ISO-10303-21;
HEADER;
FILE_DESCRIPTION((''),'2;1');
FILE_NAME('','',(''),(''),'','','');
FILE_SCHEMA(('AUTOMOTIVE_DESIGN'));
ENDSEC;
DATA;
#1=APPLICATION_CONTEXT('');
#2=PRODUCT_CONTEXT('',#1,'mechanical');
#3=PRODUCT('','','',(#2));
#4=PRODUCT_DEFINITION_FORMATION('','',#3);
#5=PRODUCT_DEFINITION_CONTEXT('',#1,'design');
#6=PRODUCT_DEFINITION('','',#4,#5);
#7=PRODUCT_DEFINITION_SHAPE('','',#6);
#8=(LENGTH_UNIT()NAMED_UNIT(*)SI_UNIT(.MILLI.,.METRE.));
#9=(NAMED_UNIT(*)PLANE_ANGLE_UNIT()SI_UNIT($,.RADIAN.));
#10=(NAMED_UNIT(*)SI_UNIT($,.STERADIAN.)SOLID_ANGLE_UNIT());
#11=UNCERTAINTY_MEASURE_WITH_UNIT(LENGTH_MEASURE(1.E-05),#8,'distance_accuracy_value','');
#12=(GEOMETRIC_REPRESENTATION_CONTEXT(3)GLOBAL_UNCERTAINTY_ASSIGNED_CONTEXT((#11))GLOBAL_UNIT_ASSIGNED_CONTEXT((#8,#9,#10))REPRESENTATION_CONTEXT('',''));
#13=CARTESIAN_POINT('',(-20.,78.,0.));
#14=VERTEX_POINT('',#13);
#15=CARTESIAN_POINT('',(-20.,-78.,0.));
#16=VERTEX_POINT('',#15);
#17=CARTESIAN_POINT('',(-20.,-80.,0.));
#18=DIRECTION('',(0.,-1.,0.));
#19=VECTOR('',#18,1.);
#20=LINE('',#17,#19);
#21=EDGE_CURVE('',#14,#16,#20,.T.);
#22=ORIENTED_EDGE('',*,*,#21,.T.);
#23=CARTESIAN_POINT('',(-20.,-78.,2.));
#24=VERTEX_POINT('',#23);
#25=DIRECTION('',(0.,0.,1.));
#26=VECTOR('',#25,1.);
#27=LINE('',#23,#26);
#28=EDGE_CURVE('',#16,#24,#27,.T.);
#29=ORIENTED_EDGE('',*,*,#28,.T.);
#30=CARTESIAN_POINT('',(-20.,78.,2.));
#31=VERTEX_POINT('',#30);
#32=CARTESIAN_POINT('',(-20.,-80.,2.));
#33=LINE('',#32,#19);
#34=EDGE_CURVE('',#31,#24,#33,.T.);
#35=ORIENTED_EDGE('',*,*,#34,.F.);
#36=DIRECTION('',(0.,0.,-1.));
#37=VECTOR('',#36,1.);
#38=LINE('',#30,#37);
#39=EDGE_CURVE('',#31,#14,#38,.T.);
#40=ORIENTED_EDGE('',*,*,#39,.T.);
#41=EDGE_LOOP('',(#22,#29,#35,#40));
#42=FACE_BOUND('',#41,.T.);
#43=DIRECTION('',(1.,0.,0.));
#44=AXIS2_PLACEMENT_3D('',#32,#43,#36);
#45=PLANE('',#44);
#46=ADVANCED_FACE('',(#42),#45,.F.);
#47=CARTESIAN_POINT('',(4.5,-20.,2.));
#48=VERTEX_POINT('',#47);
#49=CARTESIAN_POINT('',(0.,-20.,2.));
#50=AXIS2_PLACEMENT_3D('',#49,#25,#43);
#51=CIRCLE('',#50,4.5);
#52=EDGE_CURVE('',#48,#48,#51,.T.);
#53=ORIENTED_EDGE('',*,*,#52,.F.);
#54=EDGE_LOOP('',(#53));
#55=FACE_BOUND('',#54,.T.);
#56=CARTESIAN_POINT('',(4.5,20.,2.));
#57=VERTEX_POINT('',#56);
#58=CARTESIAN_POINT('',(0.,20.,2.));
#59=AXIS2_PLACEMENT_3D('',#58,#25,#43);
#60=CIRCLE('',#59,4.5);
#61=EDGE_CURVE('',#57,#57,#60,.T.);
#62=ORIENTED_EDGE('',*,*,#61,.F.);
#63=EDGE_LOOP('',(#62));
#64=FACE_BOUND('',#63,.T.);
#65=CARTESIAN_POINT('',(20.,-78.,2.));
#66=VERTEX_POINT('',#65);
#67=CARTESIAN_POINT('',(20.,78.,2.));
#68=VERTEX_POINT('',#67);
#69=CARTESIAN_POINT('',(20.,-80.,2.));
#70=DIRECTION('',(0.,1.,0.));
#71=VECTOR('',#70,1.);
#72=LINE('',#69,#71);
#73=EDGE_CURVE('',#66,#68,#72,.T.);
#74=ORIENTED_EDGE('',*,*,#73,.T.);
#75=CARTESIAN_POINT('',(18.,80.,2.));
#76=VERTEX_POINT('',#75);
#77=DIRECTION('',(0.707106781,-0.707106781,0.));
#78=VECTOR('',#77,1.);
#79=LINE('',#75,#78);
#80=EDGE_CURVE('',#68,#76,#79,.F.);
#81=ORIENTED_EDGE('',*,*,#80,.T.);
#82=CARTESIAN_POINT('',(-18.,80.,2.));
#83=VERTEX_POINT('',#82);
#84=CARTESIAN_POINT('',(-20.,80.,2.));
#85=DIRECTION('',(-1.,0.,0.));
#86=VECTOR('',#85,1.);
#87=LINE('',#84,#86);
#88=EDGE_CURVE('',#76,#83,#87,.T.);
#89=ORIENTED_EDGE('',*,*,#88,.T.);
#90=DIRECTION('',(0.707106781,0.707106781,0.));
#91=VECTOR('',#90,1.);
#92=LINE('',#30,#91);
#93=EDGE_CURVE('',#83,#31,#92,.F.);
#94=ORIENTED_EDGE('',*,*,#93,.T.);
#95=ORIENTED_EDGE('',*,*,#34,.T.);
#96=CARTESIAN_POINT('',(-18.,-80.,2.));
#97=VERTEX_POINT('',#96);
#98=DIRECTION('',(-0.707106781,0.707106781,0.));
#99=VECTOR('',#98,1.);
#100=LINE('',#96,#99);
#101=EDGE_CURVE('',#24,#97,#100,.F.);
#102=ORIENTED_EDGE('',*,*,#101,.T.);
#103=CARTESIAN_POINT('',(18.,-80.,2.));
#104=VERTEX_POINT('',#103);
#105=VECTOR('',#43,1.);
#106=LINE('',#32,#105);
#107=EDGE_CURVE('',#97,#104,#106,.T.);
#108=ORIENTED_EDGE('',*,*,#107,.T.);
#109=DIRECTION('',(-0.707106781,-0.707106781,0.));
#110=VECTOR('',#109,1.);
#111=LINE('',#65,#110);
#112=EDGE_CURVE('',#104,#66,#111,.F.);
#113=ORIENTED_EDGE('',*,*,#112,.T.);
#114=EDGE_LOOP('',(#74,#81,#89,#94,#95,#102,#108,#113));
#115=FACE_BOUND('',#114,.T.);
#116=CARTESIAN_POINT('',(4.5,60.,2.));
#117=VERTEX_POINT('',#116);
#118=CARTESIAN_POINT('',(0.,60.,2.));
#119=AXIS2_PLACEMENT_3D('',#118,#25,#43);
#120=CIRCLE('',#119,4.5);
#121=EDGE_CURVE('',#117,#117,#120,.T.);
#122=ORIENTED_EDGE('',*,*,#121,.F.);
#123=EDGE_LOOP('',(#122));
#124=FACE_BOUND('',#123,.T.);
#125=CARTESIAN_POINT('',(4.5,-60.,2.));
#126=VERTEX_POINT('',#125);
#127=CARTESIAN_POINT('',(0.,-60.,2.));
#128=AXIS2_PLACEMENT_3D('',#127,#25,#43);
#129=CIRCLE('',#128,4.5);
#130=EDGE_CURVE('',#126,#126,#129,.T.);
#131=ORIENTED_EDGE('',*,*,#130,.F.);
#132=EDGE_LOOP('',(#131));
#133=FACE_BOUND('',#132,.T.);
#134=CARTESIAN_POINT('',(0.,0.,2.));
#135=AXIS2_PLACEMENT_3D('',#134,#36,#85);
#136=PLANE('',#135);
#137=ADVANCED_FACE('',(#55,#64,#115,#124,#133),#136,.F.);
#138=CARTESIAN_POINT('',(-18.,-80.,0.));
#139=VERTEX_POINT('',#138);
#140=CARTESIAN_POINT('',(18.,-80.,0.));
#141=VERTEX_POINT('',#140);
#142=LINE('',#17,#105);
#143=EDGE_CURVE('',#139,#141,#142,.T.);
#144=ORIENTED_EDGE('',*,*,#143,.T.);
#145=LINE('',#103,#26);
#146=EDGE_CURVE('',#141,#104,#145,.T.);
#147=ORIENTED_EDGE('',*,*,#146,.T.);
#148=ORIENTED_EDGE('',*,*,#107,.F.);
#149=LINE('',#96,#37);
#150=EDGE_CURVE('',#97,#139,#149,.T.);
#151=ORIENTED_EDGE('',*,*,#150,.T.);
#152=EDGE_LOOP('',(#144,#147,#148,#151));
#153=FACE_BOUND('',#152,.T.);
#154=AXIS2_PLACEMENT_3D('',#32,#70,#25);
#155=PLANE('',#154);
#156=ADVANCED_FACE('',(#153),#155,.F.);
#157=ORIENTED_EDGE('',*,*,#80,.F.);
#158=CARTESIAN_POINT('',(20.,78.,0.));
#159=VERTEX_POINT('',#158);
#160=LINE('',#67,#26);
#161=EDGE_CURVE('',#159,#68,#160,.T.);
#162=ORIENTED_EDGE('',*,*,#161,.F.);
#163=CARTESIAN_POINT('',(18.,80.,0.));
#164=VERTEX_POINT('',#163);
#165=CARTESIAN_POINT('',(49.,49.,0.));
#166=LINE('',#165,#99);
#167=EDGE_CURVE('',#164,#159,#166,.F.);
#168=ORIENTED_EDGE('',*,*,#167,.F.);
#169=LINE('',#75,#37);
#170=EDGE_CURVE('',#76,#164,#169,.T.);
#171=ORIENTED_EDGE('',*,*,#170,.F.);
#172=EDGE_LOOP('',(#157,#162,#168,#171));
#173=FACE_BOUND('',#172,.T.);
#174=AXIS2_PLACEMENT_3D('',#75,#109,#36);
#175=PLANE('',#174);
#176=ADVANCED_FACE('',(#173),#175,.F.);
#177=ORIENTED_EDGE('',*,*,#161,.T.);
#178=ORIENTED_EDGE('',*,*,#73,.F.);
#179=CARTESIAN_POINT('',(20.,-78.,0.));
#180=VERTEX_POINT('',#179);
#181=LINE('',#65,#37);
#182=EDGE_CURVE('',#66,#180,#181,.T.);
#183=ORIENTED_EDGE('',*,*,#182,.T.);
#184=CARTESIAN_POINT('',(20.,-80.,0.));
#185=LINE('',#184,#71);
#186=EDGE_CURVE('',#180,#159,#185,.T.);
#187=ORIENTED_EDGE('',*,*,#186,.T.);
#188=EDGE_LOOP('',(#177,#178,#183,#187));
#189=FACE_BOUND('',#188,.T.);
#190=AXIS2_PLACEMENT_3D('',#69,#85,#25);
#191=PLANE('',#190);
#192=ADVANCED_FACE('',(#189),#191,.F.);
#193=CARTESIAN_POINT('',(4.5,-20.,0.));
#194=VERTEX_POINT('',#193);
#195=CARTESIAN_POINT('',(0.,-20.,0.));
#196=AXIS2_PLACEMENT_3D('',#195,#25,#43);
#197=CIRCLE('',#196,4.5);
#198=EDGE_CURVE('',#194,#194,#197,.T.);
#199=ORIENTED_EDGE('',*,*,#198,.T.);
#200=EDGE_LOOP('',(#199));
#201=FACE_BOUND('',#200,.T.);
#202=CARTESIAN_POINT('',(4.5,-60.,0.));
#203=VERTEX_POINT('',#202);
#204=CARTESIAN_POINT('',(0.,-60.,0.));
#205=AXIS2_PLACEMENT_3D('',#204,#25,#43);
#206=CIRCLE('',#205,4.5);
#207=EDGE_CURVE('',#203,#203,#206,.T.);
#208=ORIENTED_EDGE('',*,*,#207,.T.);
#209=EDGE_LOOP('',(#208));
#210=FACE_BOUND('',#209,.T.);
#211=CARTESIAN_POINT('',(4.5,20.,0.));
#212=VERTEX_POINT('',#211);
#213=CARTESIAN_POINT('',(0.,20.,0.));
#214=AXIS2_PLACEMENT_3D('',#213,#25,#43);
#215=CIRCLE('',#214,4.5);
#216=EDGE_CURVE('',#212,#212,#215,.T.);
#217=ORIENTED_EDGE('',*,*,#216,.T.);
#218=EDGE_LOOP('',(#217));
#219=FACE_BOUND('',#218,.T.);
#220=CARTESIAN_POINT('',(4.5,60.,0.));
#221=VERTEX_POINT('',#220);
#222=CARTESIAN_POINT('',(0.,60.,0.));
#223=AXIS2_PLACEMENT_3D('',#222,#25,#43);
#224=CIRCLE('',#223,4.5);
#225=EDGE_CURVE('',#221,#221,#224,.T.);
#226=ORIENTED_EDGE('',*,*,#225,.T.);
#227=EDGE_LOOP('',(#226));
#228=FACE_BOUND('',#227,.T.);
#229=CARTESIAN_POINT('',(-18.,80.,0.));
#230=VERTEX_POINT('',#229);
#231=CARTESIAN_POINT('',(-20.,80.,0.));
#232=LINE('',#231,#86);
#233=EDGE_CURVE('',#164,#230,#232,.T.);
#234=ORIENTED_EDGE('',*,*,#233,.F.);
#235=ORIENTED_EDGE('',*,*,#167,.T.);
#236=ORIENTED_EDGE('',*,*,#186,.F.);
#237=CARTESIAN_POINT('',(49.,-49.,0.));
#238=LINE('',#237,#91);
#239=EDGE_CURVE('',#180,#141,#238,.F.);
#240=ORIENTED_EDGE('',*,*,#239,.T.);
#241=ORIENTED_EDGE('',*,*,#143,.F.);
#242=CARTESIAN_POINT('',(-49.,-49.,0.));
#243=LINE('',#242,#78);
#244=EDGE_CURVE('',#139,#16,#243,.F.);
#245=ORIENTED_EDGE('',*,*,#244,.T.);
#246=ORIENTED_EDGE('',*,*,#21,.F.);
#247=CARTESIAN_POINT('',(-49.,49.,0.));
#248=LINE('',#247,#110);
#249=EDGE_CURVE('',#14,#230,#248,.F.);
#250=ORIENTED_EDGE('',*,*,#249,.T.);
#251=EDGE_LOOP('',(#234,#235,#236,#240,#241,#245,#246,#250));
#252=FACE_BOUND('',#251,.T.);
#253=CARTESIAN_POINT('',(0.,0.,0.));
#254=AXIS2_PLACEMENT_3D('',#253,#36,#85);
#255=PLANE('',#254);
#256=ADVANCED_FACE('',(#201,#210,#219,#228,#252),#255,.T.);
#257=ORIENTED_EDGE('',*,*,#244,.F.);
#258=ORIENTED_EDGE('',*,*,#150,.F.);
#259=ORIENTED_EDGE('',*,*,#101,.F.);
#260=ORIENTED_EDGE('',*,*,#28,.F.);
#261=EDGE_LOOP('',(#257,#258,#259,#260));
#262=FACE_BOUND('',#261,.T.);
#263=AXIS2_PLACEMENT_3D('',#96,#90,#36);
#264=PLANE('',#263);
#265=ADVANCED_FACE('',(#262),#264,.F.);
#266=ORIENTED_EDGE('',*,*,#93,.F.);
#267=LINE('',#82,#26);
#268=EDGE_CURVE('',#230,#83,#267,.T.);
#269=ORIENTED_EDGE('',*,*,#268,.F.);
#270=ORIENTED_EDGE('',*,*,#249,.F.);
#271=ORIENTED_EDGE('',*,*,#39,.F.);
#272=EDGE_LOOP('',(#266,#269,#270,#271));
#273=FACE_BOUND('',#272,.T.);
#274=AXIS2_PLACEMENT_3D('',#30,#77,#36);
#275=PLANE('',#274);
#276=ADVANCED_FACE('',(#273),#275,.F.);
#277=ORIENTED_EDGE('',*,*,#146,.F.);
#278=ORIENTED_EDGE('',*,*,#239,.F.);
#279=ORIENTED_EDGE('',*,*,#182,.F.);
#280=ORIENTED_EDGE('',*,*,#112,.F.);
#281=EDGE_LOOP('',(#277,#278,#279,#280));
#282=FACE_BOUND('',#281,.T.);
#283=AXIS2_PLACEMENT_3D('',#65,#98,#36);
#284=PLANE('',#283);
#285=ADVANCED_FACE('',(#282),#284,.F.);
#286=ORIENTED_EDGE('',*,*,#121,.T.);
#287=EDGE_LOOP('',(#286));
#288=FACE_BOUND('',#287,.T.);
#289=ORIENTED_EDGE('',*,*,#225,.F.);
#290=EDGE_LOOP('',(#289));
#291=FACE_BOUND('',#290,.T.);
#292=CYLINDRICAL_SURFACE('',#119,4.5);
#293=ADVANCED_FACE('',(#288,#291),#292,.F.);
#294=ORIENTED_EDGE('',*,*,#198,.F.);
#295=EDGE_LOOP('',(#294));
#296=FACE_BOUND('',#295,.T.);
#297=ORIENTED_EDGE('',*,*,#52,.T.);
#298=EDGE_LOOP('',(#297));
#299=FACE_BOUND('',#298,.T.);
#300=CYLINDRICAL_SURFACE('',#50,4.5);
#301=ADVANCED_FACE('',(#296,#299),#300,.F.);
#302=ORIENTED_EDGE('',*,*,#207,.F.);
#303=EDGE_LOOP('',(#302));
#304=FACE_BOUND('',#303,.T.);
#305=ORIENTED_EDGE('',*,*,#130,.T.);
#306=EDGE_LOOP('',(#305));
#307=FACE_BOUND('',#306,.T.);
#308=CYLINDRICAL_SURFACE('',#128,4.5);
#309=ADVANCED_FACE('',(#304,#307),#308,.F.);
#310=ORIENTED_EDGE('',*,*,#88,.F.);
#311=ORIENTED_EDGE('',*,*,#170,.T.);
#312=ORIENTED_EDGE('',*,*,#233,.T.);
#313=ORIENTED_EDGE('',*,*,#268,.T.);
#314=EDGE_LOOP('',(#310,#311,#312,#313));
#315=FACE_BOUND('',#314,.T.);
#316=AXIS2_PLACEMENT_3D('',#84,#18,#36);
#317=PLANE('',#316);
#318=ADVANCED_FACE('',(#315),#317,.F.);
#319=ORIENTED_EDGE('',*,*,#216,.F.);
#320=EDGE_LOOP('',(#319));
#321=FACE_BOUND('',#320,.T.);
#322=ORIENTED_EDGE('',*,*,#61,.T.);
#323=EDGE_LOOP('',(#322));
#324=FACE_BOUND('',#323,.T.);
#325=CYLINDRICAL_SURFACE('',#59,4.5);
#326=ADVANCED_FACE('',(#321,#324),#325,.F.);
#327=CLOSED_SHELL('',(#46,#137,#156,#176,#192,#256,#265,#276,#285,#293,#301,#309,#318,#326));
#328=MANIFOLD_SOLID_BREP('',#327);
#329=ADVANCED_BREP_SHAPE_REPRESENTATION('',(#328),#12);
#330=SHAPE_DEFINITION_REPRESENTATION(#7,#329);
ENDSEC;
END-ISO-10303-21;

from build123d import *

# Parameters (mm, degrees)
SKETCH_1_W        = 40
SKETCH_1_H        = 160
EXTRUDE_1_DEPTH   = 2
CHAMFER_1_SIZE    = 2
HOLE_WIZARD_M81_D = 9


with BuildPart() as part:
    # Эскиз1 → Бобышка-Вытянуть1 (new body)
    with BuildSketch(Plane.XY):
        Rectangle(SKETCH_1_W, SKETCH_1_H)
    extrude(amount=EXTRUDE_1_DEPTH)

    # Фаска1
    chamfer_1_edges = [part.edges().sort_by_distance(p)[0] for p in [
        (20, -80, 1),
        (-20, -80, 1),
        (-20, 80, 1),
        (20, 80, 1),
    ]]
    chamfer(chamfer_1_edges, length=CHAMFER_1_SIZE)

    # Отверстие с зазором M81 (through all)
    with Locations(Plane.XY.offset(2)):
        with Locations((0, -60), (0, 60), (0, 20), (0, -20)):
            Hole(HOLE_WIZARD_M81_D / 2)


solid = part.part
